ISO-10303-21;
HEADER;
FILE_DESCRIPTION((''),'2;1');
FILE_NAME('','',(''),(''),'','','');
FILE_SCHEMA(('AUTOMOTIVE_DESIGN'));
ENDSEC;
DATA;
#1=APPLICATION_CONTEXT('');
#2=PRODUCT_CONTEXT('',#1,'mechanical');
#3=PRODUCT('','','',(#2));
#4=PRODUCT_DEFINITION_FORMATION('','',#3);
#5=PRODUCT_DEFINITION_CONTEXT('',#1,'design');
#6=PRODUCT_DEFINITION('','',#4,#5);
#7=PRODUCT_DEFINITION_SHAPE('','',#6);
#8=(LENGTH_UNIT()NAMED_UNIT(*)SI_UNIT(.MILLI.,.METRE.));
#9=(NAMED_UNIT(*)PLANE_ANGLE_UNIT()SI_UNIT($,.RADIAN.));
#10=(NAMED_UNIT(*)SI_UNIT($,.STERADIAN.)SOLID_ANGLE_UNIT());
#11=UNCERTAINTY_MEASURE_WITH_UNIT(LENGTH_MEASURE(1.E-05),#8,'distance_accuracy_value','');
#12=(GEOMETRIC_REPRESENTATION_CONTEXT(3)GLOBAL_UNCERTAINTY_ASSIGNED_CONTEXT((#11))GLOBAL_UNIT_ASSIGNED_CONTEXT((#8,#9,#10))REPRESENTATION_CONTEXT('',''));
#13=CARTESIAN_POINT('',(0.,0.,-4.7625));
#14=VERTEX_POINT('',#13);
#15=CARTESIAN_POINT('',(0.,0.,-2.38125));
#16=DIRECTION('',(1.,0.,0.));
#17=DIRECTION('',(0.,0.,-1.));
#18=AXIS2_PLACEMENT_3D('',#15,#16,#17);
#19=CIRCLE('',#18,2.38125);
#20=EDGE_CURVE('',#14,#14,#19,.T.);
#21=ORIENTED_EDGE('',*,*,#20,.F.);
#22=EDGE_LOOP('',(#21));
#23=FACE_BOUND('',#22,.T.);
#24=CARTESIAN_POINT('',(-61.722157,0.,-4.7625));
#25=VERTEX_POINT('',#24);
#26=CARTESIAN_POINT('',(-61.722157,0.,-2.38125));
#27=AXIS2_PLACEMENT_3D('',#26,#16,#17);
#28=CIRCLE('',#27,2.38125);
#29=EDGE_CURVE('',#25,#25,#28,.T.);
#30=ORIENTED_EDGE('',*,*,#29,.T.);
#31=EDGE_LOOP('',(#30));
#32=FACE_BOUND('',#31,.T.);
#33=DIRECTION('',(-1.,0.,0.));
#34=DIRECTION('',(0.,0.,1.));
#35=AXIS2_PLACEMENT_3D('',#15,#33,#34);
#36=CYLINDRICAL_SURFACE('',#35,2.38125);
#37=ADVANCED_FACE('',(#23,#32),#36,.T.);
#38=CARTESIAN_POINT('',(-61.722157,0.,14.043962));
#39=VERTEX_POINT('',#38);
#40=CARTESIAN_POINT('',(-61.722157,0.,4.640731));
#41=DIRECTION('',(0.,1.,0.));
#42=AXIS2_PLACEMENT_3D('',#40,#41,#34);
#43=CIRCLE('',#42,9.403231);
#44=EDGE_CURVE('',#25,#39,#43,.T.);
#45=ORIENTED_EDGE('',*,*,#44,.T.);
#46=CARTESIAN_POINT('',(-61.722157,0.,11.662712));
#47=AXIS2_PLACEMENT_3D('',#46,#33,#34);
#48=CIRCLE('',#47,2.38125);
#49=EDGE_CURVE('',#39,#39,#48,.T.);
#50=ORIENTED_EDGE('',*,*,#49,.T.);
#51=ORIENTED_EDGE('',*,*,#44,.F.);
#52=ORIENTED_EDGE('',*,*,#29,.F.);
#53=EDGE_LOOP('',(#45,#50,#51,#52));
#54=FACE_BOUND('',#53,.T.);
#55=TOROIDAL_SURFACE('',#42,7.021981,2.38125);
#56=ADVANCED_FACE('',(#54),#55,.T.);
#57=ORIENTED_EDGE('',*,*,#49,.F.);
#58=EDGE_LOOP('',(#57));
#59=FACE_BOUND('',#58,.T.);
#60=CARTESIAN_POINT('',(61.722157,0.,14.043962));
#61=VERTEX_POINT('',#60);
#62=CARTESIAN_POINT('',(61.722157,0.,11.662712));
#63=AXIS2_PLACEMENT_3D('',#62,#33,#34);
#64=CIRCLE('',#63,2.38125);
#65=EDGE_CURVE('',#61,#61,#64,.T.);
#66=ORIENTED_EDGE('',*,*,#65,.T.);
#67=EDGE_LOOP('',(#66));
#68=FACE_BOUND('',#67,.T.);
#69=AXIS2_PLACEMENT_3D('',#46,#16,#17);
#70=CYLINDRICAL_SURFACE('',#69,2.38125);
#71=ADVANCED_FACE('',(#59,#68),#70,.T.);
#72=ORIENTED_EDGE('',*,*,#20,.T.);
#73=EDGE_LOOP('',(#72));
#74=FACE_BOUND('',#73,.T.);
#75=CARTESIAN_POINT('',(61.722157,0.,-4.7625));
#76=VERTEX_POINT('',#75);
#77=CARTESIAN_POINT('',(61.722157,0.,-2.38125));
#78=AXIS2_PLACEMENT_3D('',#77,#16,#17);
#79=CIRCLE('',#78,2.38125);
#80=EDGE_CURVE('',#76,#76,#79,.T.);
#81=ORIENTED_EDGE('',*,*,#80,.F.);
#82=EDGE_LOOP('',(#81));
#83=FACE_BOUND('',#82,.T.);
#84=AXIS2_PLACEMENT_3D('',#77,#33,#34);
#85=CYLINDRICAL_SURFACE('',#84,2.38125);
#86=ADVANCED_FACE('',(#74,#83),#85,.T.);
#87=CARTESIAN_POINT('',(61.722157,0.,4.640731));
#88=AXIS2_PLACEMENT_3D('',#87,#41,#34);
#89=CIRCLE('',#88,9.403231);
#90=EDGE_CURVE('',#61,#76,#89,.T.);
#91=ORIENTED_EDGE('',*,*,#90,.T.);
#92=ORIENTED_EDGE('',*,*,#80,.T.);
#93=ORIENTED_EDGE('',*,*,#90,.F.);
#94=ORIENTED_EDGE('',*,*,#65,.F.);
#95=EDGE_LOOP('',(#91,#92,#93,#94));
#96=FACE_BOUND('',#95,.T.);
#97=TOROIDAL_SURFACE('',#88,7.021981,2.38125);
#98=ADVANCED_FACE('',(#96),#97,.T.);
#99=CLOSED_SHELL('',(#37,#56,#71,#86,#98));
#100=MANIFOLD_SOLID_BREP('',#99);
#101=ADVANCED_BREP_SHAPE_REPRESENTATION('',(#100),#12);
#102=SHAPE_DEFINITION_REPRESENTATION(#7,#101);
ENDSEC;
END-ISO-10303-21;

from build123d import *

# Parameters (mm, degrees)
SKETCH8_R = 2.38125


with BuildPart() as part:
    # Sweep2: sweep along a path in Sketch7
    with BuildLine(Plane(origin=(0, 0, 0), x_dir=(1, 0, 0), z_dir=(0, 1, 0))) as sweep2_path:
        Line((-61.722156815, -9.28146197), (61.722156815, -9.28146197))
        ThreePointArc((61.722156815, -9.28146197), (66.3628878, -4.640730985), (61.722156815, 0))
        Line((61.722156815, 0), (-61.722156815, 0))
        ThreePointArc((-61.722156815, 0), (-66.3628878, -4.640730985), (-61.722156815, -9.28146197))
    # Sketch8 → Sweep2 (sweep)
    with BuildSketch(Plane(origin=(0, 0, 0), x_dir=(0, 0, -1), z_dir=(1, 0, 0))):
        with Locations((2.38125, 0)):
            Circle(SKETCH8_R)
    sweep(path=sweep2_path.line)


solid = part.part
